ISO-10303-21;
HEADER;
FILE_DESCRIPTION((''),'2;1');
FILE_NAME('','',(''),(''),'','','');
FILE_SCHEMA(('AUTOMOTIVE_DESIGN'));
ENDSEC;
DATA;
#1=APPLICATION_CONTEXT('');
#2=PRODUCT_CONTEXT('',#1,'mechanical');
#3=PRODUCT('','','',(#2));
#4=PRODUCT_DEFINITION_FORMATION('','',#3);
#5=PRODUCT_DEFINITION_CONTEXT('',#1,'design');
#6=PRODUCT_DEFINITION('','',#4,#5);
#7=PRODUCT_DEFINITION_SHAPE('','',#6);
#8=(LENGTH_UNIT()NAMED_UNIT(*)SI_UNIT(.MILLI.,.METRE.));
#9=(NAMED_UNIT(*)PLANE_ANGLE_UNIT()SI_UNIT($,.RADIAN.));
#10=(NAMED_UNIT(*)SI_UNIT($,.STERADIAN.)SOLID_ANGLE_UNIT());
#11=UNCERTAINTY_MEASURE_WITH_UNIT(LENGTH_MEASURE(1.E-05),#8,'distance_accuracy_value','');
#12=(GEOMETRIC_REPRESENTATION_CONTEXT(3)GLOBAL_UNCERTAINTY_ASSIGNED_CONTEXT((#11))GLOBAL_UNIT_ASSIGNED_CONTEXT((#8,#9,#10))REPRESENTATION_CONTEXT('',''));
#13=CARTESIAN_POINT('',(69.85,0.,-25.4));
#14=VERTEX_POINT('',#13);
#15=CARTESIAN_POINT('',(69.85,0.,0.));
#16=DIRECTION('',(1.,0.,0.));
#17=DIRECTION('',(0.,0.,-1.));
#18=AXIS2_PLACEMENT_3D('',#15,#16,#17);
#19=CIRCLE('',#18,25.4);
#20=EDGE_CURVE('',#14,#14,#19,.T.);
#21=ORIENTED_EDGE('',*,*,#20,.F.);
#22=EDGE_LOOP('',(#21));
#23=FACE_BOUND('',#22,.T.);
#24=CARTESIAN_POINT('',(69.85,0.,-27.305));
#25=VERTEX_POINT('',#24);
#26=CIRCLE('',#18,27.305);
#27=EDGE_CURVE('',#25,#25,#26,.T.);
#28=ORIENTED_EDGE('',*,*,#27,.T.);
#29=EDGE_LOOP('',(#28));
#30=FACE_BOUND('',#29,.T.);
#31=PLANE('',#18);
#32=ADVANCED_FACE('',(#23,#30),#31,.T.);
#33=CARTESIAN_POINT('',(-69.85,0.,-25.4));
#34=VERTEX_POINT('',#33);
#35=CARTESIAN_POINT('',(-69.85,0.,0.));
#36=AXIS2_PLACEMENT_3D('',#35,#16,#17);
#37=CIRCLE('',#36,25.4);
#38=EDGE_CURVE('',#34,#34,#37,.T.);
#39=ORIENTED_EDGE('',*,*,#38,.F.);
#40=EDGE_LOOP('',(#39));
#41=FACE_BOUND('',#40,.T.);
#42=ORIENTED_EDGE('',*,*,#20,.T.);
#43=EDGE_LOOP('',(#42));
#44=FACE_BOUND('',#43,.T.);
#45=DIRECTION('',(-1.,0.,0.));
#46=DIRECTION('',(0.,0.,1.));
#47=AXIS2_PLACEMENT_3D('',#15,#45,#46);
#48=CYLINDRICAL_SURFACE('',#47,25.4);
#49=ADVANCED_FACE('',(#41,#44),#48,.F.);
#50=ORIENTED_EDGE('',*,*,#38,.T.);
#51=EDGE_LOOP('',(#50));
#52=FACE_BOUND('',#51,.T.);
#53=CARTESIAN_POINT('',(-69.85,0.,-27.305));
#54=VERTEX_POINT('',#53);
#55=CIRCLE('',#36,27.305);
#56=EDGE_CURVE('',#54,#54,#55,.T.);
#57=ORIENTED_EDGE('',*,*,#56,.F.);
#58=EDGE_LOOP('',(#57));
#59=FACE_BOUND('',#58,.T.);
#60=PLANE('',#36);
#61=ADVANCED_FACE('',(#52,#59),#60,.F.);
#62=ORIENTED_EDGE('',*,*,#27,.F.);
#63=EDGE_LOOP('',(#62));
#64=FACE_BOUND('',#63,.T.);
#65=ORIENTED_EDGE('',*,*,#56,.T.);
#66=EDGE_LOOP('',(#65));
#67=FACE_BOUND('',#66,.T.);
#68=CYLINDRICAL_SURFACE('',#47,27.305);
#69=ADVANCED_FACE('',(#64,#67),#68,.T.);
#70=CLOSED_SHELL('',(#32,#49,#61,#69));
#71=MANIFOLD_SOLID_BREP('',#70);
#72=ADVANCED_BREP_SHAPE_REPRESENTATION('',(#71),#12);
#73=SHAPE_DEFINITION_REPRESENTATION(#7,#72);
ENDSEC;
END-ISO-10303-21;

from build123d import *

# Parameters (mm, degrees)
SKETCH1_R           = 27.305
SKETCH1_R_2         = 25.4
BOSS_EXTRUDE1_DEPTH = 69.85


with BuildPart() as part:
    # Sketch1 → Boss-Extrude1 (new body, symmetric)
    with BuildSketch(Plane(origin=(0, 0, 0), x_dir=(0, 0, -1), z_dir=(1, 0, 0))):
        Circle(SKETCH1_R)
        Circle(SKETCH1_R_2, mode=Mode.SUBTRACT)
    extrude(amount=BOSS_EXTRUDE1_DEPTH, both=True)


solid = part.part
